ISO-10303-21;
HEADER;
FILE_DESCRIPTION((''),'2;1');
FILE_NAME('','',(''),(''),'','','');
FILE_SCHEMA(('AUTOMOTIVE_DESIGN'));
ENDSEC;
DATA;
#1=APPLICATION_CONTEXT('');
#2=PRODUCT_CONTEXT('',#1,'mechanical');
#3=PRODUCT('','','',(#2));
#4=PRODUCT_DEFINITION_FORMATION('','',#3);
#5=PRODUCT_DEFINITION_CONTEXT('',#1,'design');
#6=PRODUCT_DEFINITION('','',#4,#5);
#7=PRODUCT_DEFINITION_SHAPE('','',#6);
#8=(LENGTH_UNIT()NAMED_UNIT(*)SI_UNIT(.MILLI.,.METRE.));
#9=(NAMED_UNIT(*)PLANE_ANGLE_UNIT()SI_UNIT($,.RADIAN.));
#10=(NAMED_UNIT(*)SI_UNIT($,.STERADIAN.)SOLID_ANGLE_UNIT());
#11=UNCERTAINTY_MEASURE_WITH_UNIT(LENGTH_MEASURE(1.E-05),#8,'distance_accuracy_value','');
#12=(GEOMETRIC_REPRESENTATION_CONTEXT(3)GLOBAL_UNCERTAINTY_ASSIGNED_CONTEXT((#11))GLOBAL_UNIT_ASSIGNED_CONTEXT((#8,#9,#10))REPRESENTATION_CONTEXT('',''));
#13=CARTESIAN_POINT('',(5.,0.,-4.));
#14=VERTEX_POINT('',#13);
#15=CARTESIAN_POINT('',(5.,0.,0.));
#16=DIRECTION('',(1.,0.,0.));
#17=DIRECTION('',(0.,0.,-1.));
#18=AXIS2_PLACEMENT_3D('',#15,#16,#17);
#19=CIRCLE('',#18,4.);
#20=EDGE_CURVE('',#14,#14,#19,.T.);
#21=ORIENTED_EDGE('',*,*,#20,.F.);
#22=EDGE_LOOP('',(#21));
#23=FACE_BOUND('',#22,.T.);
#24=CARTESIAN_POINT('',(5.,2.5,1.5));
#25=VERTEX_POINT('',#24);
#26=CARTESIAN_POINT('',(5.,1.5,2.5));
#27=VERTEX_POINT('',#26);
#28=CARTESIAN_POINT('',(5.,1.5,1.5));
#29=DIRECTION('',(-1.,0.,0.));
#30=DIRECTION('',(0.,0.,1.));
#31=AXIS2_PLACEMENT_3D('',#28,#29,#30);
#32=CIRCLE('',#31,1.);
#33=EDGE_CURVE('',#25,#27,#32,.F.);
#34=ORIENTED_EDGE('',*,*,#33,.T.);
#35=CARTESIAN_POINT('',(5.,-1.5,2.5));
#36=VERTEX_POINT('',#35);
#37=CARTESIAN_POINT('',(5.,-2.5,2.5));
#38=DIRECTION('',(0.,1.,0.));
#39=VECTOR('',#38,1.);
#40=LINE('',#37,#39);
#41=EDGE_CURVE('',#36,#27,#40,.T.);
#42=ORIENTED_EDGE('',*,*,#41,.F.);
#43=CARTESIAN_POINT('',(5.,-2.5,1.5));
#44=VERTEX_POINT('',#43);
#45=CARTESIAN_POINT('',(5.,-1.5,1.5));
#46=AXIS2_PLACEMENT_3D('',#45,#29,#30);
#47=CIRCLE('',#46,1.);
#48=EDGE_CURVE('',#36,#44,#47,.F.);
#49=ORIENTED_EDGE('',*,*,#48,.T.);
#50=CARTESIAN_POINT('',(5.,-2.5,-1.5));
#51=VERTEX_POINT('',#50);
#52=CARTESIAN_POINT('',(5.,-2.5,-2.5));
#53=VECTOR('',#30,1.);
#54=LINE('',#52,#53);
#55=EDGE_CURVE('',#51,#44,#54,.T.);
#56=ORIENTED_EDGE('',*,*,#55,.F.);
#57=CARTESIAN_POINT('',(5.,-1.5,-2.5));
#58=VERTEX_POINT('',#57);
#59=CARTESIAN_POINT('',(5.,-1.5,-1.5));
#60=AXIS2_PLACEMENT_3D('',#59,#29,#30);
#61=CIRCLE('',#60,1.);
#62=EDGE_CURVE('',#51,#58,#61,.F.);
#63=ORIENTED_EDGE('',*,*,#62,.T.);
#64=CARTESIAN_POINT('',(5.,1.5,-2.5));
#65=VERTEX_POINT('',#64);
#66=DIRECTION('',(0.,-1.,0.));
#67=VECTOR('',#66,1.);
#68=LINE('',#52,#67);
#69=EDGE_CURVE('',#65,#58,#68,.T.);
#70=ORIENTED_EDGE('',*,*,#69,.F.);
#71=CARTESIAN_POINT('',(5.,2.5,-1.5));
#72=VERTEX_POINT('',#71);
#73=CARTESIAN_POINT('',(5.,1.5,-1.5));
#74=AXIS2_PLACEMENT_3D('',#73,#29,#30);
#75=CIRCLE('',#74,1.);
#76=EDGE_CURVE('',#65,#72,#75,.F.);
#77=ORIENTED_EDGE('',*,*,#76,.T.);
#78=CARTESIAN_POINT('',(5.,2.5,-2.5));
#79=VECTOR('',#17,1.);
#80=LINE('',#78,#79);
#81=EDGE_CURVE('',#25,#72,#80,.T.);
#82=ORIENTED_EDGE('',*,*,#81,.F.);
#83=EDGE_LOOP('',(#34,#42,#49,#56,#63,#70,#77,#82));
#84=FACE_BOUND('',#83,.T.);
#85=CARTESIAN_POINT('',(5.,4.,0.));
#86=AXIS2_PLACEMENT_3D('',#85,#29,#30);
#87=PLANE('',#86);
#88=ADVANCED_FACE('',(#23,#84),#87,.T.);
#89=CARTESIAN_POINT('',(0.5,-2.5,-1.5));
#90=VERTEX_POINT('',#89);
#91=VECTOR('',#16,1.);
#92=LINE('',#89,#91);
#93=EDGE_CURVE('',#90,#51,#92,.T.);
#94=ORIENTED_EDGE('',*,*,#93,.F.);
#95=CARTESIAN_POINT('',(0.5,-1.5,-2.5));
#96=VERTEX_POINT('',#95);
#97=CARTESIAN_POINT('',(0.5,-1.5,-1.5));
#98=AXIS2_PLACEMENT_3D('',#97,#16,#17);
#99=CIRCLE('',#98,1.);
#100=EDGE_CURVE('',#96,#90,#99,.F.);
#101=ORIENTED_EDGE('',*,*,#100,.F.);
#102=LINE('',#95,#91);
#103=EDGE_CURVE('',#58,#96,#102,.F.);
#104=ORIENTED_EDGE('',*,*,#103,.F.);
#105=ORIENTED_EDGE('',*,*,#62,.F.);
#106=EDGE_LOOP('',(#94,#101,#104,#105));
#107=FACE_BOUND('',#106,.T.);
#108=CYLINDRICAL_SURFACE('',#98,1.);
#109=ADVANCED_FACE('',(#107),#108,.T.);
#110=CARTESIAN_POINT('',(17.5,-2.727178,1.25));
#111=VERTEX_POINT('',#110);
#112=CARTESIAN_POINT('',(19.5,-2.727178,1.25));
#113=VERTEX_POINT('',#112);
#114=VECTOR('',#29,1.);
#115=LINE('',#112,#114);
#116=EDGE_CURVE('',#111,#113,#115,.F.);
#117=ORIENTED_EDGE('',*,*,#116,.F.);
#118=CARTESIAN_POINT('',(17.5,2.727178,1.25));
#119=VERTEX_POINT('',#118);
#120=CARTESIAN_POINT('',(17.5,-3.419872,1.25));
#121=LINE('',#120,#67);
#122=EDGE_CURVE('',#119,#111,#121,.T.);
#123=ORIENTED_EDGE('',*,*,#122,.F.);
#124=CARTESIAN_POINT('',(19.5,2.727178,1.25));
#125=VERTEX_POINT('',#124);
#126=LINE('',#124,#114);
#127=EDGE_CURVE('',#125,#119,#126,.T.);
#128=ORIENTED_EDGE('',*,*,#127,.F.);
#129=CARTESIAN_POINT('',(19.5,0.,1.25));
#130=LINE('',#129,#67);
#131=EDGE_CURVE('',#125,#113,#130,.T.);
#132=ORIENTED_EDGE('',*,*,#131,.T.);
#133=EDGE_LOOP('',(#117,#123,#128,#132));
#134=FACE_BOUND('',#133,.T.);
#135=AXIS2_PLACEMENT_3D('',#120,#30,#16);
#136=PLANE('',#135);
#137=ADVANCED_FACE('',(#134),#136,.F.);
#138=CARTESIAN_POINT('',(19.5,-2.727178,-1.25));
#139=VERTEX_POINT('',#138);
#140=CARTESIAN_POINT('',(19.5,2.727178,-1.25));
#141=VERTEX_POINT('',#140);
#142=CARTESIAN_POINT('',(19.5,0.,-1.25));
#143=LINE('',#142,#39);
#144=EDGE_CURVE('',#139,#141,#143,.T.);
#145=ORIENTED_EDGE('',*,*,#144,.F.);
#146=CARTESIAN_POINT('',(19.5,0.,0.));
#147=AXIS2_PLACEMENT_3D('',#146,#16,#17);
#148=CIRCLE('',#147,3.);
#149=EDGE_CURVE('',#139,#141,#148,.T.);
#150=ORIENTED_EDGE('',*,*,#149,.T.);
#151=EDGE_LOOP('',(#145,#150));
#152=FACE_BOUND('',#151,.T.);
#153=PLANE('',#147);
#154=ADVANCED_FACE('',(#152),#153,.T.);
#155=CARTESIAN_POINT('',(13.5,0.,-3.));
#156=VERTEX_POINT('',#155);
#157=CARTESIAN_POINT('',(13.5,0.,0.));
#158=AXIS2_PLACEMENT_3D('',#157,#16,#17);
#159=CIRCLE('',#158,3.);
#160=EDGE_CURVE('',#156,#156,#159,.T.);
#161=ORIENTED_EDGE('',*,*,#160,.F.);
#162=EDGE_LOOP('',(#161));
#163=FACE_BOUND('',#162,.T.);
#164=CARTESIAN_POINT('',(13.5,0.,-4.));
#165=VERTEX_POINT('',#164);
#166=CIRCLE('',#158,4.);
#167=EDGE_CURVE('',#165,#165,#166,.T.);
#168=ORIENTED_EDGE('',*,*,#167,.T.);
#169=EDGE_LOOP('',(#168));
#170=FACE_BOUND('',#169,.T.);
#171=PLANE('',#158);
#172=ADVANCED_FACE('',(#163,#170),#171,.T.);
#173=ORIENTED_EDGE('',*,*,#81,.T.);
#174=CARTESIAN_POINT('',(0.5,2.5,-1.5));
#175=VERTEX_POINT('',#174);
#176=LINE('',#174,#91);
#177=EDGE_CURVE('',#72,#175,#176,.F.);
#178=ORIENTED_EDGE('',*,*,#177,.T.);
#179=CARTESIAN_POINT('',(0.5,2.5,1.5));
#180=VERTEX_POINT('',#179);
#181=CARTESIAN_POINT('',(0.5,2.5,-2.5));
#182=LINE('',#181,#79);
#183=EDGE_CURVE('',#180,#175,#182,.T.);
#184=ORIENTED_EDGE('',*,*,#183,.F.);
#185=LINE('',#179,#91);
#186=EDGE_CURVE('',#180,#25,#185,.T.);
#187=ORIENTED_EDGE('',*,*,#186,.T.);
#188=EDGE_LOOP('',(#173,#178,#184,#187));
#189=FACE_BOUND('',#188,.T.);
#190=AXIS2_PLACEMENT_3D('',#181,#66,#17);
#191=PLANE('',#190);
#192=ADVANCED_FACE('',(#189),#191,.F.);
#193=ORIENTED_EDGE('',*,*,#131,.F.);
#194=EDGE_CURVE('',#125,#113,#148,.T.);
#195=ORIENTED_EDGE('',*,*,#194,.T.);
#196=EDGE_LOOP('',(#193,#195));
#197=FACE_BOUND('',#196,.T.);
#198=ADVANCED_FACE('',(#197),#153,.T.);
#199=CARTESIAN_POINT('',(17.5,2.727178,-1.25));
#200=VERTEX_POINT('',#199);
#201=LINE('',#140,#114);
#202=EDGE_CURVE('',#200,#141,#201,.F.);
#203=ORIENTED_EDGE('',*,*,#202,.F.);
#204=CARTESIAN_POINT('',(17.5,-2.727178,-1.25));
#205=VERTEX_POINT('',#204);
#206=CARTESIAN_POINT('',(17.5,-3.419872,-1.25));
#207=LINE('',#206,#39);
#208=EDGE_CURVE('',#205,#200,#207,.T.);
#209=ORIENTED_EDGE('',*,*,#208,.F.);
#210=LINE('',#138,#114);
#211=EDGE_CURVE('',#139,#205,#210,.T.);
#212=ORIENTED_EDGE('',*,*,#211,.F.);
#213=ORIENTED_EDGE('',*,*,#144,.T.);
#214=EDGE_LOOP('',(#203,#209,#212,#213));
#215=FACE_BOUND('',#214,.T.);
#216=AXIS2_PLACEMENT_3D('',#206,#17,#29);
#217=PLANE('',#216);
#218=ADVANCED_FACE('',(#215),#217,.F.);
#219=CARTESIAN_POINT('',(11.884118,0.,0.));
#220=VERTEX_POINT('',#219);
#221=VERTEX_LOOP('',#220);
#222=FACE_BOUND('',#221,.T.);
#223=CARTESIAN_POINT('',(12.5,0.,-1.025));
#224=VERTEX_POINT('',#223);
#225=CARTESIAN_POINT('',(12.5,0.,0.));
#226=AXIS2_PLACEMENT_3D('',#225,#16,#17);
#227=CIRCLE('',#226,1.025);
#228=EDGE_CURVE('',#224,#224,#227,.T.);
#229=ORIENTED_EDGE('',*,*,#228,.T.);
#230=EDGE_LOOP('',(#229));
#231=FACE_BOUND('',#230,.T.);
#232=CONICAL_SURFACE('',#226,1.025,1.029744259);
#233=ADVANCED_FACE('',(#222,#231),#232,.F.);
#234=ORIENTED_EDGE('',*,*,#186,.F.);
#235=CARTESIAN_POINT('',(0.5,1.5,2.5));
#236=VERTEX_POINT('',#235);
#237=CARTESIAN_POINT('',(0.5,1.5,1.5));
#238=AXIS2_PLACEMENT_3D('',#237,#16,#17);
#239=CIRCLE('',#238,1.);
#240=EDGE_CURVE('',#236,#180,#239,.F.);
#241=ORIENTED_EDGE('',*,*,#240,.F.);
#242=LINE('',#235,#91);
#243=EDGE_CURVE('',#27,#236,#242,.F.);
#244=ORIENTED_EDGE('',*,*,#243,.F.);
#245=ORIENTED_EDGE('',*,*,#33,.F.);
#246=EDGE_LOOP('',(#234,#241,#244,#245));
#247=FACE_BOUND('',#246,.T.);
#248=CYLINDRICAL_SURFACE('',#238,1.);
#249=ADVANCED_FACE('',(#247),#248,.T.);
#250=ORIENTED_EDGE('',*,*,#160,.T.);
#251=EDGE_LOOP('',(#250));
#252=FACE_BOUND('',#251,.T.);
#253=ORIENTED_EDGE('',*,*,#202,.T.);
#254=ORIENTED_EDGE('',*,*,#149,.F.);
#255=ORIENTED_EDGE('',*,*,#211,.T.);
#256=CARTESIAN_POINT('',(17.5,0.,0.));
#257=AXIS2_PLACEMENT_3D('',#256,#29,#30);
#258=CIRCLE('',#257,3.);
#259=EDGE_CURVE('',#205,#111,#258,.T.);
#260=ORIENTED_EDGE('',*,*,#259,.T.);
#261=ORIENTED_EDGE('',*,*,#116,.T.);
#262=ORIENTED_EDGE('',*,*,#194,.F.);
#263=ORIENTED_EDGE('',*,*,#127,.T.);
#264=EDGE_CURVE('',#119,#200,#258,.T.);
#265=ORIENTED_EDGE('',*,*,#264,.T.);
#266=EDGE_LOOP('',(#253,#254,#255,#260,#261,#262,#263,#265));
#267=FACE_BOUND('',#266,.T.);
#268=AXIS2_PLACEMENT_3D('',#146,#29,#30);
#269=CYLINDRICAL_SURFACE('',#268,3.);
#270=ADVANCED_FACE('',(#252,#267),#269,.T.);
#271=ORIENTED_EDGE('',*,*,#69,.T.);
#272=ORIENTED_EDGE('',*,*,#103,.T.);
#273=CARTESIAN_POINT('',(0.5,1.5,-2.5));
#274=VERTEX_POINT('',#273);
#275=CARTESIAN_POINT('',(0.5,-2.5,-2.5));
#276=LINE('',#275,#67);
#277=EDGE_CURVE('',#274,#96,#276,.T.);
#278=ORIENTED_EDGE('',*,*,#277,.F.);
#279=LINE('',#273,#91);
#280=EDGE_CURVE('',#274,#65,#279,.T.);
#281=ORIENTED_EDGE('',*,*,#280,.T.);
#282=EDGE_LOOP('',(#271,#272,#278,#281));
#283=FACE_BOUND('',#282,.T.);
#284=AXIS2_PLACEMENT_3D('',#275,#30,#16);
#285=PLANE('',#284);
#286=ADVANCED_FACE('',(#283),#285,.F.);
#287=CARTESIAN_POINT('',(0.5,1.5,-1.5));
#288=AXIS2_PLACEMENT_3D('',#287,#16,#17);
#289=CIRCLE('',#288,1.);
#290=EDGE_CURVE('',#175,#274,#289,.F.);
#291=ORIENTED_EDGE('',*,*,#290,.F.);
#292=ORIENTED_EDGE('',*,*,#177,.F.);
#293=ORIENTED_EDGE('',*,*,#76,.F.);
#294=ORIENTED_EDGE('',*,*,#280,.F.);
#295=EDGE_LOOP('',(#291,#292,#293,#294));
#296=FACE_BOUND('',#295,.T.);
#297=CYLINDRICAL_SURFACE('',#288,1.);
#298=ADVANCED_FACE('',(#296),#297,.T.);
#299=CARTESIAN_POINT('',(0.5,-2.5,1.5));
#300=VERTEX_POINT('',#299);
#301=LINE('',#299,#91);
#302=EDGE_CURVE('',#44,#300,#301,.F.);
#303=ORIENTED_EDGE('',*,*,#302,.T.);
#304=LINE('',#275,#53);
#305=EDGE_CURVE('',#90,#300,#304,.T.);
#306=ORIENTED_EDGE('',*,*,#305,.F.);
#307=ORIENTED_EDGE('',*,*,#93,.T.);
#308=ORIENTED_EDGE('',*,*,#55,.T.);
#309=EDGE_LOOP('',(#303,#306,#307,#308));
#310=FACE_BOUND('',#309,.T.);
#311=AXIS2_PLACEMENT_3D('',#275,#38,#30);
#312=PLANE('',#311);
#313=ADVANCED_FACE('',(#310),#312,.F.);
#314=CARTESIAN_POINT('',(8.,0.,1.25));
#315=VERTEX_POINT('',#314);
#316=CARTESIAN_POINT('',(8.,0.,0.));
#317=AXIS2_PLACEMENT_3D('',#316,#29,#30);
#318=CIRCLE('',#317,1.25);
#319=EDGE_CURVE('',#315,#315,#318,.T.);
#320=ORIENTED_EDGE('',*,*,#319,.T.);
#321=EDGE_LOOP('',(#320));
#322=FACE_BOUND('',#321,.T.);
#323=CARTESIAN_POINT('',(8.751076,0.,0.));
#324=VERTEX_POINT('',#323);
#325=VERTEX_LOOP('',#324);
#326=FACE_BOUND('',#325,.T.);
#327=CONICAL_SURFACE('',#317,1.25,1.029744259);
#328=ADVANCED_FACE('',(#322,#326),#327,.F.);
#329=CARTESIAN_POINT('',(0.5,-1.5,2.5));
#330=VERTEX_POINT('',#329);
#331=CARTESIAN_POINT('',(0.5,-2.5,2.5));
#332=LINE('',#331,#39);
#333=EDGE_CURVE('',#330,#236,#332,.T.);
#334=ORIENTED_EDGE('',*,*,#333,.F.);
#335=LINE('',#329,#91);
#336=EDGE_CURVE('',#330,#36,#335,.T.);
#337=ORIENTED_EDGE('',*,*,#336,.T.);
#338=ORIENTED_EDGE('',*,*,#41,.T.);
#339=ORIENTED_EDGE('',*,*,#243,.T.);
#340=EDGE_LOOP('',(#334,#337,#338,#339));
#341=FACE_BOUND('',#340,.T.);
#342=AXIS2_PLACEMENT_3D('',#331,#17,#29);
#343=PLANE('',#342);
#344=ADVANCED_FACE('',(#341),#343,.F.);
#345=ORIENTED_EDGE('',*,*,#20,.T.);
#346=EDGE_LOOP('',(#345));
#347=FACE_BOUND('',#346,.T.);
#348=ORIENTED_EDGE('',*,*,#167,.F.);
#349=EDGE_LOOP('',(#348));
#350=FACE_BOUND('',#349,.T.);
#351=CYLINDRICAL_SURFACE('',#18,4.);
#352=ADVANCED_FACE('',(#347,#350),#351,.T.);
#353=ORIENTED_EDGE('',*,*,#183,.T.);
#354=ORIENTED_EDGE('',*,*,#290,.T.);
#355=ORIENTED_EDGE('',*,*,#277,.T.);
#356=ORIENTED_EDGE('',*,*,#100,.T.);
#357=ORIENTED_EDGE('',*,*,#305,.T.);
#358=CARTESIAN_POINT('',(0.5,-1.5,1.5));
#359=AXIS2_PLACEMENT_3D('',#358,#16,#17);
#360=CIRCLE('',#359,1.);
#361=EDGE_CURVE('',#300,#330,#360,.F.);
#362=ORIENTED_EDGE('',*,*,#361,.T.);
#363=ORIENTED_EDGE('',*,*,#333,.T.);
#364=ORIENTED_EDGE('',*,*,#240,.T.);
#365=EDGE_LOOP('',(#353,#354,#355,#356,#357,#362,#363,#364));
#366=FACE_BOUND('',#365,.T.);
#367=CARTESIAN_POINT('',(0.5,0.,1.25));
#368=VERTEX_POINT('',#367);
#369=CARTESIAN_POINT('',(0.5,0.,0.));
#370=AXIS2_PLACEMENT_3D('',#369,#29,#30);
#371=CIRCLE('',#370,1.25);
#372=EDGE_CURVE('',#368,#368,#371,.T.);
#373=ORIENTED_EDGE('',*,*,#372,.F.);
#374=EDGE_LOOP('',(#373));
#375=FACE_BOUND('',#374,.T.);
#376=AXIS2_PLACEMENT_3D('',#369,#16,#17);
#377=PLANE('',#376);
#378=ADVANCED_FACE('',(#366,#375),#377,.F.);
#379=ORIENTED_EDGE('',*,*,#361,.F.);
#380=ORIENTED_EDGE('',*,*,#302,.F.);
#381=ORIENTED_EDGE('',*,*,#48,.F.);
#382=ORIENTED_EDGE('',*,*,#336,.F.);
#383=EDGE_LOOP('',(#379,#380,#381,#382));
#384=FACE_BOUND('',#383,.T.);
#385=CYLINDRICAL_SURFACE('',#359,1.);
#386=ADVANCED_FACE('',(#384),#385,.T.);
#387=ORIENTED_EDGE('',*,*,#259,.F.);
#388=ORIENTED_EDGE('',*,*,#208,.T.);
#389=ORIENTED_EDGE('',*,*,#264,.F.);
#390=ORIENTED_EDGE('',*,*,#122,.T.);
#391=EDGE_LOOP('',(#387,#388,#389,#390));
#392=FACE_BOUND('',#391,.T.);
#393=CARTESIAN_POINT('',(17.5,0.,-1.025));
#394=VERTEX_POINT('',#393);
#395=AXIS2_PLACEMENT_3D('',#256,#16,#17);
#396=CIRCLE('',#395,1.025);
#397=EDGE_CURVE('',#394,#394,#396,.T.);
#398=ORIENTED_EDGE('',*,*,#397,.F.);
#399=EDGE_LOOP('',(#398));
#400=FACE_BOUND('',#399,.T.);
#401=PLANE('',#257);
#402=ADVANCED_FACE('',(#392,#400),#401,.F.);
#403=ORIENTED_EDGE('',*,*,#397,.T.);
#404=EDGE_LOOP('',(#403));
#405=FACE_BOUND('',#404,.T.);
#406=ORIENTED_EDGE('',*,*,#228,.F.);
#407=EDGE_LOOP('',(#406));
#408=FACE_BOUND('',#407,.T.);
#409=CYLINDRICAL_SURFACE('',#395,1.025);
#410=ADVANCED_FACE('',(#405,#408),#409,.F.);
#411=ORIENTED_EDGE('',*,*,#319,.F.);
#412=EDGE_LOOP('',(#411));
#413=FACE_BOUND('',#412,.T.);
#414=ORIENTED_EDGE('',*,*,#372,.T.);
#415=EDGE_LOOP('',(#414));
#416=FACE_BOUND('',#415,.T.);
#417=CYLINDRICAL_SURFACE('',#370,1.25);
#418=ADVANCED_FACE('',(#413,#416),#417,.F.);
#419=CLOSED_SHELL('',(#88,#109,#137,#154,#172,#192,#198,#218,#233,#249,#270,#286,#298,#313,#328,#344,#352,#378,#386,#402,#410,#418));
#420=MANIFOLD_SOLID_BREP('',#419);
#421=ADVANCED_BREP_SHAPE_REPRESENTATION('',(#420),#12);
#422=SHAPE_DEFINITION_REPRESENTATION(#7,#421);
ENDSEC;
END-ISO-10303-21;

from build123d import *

# Parameters (mm, degrees)
SKETCH1_W                    = 8.5
SKETCH1_H                    = 4
SKETCH2_W                    = 5
SKETCH2_H                    = 5
BOSS_EXTRUDE1_DEPTH          = 4.5
SKETCH3_R                    = 3
BOSS_EXTRUDE2_DEPTH          = 6
SKETCH8_W                    = 2.5
SKETCH8_H                    = 6.839743052
CUT_EXTRUDE2_DEPTH           = 2
FILLET1_R                    = 1
M3X0_5_TAPPED_HOLE1_D        = 2.5
M3X0_5_TAPPED_HOLE1_DEPTH    = 7.5
M3X0_5_TAPPED_HOLE1_TIP      = 0.751075774
M2_5X0_45_TAPPED_HOLE2_D     = 2.05
M2_5X0_45_TAPPED_HOLE2_DEPTH = 5
M2_5X0_45_TAPPED_HOLE2_TIP   = 0.615882135


with BuildPart() as part:
    # Sketch1 → Revolve1 (revolve)
    with BuildSketch(Plane.XY, mode=Mode.PRIVATE) as revolve1_sk:
        with Locations((9.25, 2)):
            Rectangle(SKETCH1_W, SKETCH1_H)
    revolve(revolve1_sk.sketch.rotate(Axis((5, 0, 0), (1, 0, 0)), 270), axis=Axis((5, 0, 0), (1, 0, 0)))

    # Sketch2 → Boss-Extrude1 (add)
    with BuildSketch(Plane.ZY.offset(-5)):
        Rectangle(SKETCH2_W, SKETCH2_H)
    extrude(amount=BOSS_EXTRUDE1_DEPTH)

    # Sketch3 → Boss-Extrude2 (add)
    with BuildSketch(Plane(origin=(13.5, 0, 0), x_dir=(0, 0, -1), z_dir=(1, 0, 0))):
        Circle(SKETCH3_R)
    extrude(amount=BOSS_EXTRUDE2_DEPTH)

    # Sketch8 → Cut-Extrude2 (cut)
    with BuildSketch(Plane(origin=(19.5, 0, 0), x_dir=(0, 0, -1), z_dir=(1, 0, 0))):
        Rectangle(SKETCH8_W, SKETCH8_H)
    extrude(amount=-CUT_EXTRUDE2_DEPTH, mode=Mode.SUBTRACT)

    # Fillet1
    fillet1_edges = [part.edges().sort_by_distance(p)[0] for p in [
        (2.75, -2.5, 2.5),
        (2.75, 2.5, 2.5),
        (2.75, 2.5, -2.5),
        (2.75, -2.5, -2.5),
    ]]
    fillet(fillet1_edges, radius=FILLET1_R)

    # M3x0.5 Tapped Hole1
    with Locations(Plane(origin=(0.5, 0, 0), x_dir=(0, 0, -1), z_dir=(-1, 0, 0))):
        with Locations((0, 0)):
            Hole(M3X0_5_TAPPED_HOLE1_D / 2, depth=M3X0_5_TAPPED_HOLE1_DEPTH)
            with Locations((0, 0, -(M3X0_5_TAPPED_HOLE1_DEPTH + M3X0_5_TAPPED_HOLE1_TIP / 2))):  # 118° drill point
                Cone(0, M3X0_5_TAPPED_HOLE1_D / 2, M3X0_5_TAPPED_HOLE1_TIP, mode=Mode.SUBTRACT)

    # M2.5x0.45 Tapped Hole2
    with Locations(Plane(origin=(17.5, 0, 0), x_dir=(0, 0, 1), z_dir=(1, 0, 0))):
        with Locations((0, 0)):
            Hole(M2_5X0_45_TAPPED_HOLE2_D / 2, depth=M2_5X0_45_TAPPED_HOLE2_DEPTH)
            with Locations((0, 0, -(M2_5X0_45_TAPPED_HOLE2_DEPTH + M2_5X0_45_TAPPED_HOLE2_TIP / 2))):  # 118° drill point
                Cone(0, M2_5X0_45_TAPPED_HOLE2_D / 2, M2_5X0_45_TAPPED_HOLE2_TIP, mode=Mode.SUBTRACT)


solid = part.part
